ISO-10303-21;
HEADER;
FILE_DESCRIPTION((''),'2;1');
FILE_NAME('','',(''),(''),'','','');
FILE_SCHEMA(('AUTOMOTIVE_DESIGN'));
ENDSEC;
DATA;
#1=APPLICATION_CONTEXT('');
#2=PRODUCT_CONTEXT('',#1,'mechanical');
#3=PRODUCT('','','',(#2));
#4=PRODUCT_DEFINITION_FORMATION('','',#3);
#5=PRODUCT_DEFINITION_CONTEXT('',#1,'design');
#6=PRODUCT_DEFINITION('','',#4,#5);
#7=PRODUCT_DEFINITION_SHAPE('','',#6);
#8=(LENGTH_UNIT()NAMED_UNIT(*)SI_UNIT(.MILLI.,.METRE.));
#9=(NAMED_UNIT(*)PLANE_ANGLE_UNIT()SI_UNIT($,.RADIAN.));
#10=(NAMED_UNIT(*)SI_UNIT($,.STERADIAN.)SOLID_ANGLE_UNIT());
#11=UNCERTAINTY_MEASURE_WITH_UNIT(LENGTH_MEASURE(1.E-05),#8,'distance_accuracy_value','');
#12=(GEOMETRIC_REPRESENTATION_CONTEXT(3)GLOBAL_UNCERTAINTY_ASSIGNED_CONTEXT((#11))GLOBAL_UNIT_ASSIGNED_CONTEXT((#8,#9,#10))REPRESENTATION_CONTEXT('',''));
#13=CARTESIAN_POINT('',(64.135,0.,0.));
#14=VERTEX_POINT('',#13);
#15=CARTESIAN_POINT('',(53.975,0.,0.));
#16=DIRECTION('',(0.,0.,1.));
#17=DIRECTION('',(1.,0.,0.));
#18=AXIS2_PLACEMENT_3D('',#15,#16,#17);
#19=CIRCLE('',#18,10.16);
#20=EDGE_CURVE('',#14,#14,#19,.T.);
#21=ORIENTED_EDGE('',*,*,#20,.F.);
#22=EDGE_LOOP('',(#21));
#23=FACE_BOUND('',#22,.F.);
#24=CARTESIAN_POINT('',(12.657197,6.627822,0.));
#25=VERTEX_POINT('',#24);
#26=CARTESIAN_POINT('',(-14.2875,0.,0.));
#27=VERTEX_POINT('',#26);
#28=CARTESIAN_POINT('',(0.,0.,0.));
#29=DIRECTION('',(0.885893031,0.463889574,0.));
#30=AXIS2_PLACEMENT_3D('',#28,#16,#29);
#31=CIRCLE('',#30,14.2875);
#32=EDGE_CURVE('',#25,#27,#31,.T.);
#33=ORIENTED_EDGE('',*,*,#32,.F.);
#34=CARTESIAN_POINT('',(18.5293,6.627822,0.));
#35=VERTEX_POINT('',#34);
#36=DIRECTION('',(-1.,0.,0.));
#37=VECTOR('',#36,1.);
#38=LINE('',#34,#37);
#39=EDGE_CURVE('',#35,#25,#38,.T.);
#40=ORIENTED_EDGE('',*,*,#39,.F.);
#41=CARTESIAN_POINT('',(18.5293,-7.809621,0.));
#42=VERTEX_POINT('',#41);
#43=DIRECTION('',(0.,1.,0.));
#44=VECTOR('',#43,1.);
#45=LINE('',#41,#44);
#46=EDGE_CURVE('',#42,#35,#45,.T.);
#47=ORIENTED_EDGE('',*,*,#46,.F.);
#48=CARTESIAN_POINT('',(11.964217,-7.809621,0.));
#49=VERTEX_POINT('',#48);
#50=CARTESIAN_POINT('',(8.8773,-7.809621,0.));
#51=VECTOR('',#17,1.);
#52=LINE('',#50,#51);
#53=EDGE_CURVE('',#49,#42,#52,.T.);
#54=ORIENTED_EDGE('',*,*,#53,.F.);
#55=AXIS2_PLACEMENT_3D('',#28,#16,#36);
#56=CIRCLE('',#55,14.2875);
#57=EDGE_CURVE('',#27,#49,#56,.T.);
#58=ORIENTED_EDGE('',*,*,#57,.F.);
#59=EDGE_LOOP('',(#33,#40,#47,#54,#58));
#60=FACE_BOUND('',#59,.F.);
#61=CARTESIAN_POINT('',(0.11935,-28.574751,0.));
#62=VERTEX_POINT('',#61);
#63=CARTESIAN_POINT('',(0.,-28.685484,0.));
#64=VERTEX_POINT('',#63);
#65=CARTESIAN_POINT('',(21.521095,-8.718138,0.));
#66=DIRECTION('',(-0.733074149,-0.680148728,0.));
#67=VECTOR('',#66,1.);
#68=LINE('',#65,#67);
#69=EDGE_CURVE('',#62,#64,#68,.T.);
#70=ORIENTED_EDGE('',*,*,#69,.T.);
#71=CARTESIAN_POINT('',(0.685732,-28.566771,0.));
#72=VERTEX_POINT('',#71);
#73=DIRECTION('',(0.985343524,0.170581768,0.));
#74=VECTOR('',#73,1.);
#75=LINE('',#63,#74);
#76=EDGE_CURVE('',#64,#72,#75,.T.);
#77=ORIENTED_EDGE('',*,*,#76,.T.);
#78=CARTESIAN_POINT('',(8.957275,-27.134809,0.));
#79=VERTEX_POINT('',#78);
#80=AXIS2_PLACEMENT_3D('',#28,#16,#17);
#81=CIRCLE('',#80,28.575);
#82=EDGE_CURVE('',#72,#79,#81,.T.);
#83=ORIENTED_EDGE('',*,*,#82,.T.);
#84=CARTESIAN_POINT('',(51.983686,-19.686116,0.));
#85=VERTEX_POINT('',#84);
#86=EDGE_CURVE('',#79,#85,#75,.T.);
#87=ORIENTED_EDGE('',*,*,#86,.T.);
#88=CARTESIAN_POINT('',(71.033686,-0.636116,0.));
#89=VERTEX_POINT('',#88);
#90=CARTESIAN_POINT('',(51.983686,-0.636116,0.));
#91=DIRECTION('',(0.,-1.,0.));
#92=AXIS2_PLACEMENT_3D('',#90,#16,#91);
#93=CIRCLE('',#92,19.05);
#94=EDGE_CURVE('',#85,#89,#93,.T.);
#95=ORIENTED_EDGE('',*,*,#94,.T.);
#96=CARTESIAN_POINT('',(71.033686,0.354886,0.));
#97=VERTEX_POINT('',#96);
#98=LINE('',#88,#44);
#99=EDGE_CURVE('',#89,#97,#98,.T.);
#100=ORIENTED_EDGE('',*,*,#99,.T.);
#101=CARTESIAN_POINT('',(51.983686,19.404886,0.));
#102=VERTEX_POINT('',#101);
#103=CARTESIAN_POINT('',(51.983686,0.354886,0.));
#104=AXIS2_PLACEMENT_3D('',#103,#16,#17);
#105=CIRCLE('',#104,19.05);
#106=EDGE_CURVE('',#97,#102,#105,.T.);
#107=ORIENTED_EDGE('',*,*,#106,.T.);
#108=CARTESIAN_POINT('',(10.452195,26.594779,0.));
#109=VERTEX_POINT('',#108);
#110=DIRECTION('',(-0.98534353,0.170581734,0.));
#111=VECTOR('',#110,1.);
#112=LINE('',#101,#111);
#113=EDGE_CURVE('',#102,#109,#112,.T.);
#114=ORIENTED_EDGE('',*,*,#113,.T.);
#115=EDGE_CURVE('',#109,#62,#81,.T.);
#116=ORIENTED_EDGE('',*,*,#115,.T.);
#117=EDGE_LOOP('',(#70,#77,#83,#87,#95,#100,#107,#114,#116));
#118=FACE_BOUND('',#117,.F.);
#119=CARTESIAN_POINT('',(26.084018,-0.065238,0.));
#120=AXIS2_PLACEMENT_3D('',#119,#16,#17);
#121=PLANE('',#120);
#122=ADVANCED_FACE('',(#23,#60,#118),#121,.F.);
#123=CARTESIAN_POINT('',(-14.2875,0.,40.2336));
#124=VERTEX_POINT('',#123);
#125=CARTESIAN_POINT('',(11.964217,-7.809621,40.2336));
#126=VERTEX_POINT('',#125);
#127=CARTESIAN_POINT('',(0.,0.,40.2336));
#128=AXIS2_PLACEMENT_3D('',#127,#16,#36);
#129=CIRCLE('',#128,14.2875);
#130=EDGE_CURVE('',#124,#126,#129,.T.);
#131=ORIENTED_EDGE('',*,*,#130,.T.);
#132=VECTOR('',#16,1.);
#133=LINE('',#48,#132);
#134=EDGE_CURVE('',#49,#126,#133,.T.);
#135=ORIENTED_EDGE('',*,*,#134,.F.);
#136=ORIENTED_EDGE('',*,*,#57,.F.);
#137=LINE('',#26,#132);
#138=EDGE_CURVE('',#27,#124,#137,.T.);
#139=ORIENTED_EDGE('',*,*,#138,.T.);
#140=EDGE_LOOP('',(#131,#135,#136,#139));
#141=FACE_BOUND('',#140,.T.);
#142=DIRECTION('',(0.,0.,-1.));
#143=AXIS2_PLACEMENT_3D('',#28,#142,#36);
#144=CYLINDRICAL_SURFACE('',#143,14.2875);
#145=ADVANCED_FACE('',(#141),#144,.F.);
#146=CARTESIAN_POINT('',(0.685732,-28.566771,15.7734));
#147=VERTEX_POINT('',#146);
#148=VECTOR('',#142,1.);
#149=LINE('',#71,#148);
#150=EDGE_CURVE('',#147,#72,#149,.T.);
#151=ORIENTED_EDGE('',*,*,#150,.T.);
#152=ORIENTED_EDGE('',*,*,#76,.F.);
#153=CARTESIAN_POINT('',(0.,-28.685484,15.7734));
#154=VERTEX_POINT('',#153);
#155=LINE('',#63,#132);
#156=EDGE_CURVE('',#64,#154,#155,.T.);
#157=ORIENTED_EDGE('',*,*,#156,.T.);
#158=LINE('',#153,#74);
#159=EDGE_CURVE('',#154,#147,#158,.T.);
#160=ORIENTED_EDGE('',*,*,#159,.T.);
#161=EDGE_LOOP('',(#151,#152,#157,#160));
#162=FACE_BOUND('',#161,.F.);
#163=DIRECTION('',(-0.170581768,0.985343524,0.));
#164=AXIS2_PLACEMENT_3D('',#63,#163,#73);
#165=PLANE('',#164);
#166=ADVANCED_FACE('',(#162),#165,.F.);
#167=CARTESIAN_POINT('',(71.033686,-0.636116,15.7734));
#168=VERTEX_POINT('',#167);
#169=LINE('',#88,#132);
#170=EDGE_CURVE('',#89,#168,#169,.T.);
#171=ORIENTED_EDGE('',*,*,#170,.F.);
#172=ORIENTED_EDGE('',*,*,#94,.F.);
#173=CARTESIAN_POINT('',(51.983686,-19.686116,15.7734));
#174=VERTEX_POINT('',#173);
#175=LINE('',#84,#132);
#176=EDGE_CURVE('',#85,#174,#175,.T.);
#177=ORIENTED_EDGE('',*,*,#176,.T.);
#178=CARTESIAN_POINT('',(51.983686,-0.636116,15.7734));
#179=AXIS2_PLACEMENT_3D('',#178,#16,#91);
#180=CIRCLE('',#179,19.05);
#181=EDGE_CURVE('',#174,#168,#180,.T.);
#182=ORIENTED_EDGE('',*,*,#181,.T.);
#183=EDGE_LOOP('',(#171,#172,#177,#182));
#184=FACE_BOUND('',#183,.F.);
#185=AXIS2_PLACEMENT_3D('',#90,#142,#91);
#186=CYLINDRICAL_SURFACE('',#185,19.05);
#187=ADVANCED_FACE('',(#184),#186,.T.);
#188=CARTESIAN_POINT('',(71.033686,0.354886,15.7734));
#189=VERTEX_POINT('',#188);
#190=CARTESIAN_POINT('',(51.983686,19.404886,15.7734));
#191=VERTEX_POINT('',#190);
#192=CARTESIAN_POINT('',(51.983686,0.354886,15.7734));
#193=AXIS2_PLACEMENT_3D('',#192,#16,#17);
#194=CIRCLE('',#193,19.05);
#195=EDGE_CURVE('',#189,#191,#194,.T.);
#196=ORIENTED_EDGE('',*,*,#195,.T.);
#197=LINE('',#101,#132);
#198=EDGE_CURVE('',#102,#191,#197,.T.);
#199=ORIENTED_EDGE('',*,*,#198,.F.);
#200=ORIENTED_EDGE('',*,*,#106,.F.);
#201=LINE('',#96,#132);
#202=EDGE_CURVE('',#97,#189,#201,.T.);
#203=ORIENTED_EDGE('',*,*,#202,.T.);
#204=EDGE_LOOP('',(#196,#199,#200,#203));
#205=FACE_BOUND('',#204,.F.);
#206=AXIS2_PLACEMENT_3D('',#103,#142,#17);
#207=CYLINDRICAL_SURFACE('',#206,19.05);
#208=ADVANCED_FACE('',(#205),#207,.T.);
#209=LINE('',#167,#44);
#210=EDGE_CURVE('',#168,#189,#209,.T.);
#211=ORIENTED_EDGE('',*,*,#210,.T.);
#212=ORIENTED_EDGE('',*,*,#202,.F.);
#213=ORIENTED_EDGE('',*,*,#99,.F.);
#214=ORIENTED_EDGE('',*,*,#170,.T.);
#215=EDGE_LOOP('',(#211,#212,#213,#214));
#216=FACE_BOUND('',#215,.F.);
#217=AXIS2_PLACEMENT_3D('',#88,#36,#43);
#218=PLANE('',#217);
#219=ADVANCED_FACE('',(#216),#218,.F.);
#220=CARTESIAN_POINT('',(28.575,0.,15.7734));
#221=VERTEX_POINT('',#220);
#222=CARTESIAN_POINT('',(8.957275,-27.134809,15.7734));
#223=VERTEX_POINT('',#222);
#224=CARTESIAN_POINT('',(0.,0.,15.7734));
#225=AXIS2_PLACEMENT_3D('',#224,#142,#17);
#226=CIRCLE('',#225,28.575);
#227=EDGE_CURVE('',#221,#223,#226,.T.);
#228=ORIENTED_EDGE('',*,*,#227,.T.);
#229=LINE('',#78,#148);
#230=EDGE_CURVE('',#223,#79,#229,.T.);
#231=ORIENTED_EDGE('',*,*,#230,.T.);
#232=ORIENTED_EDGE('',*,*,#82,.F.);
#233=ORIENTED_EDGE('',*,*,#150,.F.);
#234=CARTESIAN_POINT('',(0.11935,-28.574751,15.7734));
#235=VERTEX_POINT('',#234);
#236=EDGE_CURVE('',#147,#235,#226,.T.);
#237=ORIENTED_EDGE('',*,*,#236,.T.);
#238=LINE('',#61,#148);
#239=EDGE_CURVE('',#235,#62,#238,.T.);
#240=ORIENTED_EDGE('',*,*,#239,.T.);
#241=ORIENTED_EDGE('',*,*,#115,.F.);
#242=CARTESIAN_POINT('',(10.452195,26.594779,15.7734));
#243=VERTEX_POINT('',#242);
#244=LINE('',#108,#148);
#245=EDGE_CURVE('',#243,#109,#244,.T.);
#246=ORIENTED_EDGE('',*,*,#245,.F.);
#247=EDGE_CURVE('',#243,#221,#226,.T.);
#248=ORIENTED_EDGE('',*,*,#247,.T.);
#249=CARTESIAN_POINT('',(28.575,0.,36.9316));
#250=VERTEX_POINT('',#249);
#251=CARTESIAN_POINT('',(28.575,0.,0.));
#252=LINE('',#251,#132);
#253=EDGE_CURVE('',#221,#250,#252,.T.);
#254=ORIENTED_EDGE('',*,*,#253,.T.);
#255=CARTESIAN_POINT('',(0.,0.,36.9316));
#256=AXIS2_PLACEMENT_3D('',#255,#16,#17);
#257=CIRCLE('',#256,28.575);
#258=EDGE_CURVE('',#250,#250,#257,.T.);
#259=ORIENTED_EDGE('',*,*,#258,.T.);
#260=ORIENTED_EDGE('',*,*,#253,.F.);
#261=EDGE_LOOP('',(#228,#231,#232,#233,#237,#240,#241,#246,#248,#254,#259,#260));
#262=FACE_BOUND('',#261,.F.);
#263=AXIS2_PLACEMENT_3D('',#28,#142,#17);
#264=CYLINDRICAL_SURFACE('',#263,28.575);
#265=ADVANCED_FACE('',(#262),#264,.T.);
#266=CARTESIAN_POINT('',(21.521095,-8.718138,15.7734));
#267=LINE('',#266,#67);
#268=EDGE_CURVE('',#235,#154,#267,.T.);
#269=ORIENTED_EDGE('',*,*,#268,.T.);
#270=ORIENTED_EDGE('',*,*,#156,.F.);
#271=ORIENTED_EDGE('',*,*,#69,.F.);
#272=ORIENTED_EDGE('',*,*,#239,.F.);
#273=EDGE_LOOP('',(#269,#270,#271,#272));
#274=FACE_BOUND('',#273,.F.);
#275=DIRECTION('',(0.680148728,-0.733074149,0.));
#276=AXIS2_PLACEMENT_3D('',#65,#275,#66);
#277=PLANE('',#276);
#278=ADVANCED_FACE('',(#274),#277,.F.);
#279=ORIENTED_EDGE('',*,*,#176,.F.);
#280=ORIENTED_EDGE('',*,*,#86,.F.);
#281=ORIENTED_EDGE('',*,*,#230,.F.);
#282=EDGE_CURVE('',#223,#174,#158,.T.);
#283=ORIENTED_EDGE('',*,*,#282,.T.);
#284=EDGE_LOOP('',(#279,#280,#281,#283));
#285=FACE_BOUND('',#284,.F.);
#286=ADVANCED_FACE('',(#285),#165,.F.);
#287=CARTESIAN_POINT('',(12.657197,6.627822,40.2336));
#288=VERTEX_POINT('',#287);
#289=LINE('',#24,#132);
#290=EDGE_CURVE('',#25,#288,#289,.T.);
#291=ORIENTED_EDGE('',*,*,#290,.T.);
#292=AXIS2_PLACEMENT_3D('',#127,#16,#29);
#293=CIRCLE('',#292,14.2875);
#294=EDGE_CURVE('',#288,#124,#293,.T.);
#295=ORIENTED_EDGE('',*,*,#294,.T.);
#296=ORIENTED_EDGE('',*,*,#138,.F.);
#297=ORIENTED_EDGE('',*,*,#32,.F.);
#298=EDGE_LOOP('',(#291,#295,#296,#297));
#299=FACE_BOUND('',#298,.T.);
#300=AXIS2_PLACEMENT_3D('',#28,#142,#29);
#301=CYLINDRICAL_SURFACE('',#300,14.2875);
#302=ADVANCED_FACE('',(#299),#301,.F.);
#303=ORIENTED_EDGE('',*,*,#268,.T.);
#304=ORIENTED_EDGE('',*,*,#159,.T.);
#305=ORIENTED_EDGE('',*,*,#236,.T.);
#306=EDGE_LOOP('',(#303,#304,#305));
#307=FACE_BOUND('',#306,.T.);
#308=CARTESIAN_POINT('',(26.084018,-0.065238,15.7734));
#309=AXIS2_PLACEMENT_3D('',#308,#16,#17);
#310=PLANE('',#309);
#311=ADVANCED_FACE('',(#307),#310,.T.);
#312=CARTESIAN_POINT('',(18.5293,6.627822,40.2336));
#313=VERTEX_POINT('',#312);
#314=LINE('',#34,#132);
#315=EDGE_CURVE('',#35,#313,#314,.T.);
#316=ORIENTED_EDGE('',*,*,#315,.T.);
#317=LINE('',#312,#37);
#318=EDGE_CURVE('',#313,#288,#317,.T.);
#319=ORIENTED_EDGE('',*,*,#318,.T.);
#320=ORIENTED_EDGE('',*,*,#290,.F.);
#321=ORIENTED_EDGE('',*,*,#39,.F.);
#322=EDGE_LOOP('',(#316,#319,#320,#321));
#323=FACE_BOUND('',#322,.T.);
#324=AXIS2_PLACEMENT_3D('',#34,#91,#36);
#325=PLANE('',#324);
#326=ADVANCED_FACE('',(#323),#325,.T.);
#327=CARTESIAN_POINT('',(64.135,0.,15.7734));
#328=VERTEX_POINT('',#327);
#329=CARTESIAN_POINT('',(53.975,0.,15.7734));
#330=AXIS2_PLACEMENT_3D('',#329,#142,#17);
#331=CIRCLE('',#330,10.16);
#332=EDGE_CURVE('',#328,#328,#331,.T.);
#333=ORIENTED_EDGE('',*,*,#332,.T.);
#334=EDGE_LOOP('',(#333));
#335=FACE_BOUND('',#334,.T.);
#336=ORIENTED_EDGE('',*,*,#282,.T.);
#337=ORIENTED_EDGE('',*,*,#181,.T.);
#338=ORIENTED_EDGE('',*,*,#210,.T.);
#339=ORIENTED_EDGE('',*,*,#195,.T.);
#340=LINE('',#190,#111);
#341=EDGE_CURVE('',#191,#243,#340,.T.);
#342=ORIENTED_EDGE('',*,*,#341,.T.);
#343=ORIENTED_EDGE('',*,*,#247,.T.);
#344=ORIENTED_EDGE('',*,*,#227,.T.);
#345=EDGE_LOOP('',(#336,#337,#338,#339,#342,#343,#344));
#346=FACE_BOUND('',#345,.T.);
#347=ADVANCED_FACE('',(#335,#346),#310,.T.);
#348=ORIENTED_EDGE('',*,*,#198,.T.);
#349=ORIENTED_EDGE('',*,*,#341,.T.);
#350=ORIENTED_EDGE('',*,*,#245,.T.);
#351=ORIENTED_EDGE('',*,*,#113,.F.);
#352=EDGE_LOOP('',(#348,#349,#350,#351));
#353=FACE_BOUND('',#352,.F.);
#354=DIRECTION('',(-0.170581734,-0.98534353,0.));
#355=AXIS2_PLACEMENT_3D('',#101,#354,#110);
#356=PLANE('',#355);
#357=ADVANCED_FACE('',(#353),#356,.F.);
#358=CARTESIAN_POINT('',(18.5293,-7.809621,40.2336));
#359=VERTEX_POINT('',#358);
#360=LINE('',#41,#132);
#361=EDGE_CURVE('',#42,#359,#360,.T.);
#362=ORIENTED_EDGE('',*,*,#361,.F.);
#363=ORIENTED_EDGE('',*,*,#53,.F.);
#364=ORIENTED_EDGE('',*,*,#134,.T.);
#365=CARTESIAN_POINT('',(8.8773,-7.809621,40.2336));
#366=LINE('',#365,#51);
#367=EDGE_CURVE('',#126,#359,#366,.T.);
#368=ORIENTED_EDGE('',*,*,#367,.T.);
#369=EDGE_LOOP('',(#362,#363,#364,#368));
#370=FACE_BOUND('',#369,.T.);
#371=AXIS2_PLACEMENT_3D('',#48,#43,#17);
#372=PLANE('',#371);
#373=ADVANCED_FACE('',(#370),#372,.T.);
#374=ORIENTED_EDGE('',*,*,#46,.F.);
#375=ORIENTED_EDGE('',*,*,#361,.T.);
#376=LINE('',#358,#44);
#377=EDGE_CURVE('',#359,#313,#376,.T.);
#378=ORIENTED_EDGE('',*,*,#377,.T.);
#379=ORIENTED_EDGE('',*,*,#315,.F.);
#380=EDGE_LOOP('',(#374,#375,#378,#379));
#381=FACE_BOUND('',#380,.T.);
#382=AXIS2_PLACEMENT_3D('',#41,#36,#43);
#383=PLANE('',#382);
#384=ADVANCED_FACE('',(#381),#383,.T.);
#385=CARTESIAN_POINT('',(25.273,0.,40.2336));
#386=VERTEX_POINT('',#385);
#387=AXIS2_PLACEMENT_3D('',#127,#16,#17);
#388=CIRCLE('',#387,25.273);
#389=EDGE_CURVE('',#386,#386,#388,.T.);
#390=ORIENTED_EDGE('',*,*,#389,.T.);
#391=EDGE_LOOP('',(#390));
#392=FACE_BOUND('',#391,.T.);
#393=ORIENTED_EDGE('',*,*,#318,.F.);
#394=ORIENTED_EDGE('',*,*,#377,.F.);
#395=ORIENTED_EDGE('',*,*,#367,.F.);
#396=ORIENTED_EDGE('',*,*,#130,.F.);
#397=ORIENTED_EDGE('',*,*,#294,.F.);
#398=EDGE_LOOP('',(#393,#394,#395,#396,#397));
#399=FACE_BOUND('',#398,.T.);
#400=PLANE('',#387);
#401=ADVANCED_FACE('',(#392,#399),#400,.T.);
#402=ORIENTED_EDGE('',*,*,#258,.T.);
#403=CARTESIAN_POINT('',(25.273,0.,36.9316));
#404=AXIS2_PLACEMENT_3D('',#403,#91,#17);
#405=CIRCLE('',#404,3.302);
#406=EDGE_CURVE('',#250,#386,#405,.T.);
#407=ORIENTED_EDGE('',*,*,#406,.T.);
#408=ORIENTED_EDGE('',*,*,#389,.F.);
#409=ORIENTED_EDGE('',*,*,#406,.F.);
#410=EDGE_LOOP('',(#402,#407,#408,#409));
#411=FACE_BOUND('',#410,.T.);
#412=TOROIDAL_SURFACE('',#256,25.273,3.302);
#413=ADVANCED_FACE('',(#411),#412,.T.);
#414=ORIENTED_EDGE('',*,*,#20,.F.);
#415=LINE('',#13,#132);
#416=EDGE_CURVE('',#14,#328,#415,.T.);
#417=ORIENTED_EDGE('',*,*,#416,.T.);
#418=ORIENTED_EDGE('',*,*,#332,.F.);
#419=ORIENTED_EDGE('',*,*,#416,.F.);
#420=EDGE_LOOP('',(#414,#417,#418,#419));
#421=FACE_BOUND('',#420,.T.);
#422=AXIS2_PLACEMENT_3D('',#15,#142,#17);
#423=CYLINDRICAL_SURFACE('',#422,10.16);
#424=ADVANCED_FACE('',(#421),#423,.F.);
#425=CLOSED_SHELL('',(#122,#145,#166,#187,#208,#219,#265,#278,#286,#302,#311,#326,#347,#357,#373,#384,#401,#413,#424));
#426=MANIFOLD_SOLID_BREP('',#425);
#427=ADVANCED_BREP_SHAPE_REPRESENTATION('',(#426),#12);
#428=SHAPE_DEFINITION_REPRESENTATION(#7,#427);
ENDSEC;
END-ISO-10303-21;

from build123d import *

# Parameters (mm, degrees)
F1_R     = 28.575
F2_DEPTH = 40.2336
F3_R     = 3.302
F4_DEPTH = 40.2336
F7_DEPTH = 15.7734
F5_R     = 10.16
F8_DEPTH = 25.4


with BuildPart() as f2:
    # F1 (on Top) → F2 (new body)
    with BuildSketch(Plane.XY):
        Circle(F1_R)
    extrude(amount=F2_DEPTH)

    # F3
    f3_edges = [f2.edges().sort_by_distance(p)[0] for p in [
        (-28.575, 0, 40.2336),
    ]]
    fillet(f3_edges, radius=F3_R)

    # F0 (on Top) → F4 (cut)
    with BuildSketch(Plane.XY):
        with BuildLine():
            Line((8.8773, 0), (14.2875, 0))
            ThreePointArc((14.2875, 0), (13.8739387677, 3.4126938508), (12.6571966832, 6.6278222948))
            Line((12.6571966832, 6.6278222948), (8.8773, 6.6278222948))
            Line((8.8773, 6.6278222948), (8.8773, 0))
        make_face()
        with BuildLine():
            Line((18.5293, 0), (14.2875, 0))
            ThreePointArc((14.2875, 0), (13.6943674733, -4.0739361504), (11.9642166044, -7.8096208163))
            Line((11.9642166044, -7.8096208163), (18.5293, -7.8096208163))
            Line((18.5293, -7.8096208163), (18.5293, 0))
        make_face()
        with BuildLine():
            ThreePointArc((12.6571966832, 6.6278222948), (13.8739387677, 3.4126938508), (14.2875, 0))
            Line((14.2875, 0), (18.5293, 0))
            Line((18.5293, 0), (18.5293, 6.6278222948))
            Line((18.5293, 6.6278222948), (12.6571966832, 6.6278222948))
        make_face()
        with BuildLine():
            ThreePointArc((11.9642166044, -7.8096208163), (13.6943674733, -4.0739361504), (14.2875, 0))
            Line((14.2875, 0), (8.8773, 0))
            Line((8.8773, 0), (8.8773, -7.8096208163))
            Line((8.8773, -7.8096208163), (11.9642166044, -7.8096208163))
        make_face()
        with BuildLine():
            Line((8.8773, 6.6278222948), (12.6571966832, 6.6278222948))
            ThreePointArc((12.6571966832, 6.6278222948), (-3.4126938508, 13.8739387677), (-14.2875, 0))
            Line((-14.2875, 0), (8.8773, 0))
            Line((8.8773, 0), (8.8773, 6.6278222948))
        make_face()
        with BuildLine():
            ThreePointArc((-14.2875, 0), (-4.0739361504, -13.6943674733), (11.9642166044, -7.8096208163))
            Line((11.9642166044, -7.8096208163), (8.8773, -7.8096208163))
            Line((8.8773, -7.8096208163), (8.8773, 0))
            Line((8.8773, 0), (-14.2875, 0))
        make_face()
    extrude(amount=F4_DEPTH, mode=Mode.SUBTRACT)

    # F6 (on Top) → F7 (join)
    with BuildSketch(Plane.XY):
        Polygon((36.9937829673, -19.6861159056), (36.9937829673, 19.4048862904), (51.9836863995, 19.4048862904), (0, 28.4042526037), (21.5210951865, 10.1242884994), (21.5210951865, -8.7181376293), (0, -28.6854840815), (51.9836863995, -19.6861159056), align=None)
        with BuildLine():
            Line((51.9836863995, 19.4048862904), (36.9937829673, 19.4048862904))
            Line((36.9937829673, 19.4048862904), (36.9937829673, -19.6861159056))
            Line((36.9937829673, -19.6861159056), (51.9836863995, -19.6861159056))
            ThreePointArc((51.9836863995, -19.6861159056), (65.4540705811, -14.1065000872), (71.0336863995, -0.6361159056))
            Line((71.0336863995, -0.6361159056), (71.0336863995, 0.3548862904))
            ThreePointArc((71.0336863995, 0.3548862904), (65.4540705811, 13.825270472), (51.9836863995, 19.4048862904))
        make_face()
    extrude(amount=F7_DEPTH)

    # F5 (on Top) → F8 (cut)
    with BuildSketch(Plane.XY):
        with Locations((53.975, 0)):
            Circle(F5_R)
    extrude(amount=F8_DEPTH, mode=Mode.SUBTRACT)


solid = f2.part
